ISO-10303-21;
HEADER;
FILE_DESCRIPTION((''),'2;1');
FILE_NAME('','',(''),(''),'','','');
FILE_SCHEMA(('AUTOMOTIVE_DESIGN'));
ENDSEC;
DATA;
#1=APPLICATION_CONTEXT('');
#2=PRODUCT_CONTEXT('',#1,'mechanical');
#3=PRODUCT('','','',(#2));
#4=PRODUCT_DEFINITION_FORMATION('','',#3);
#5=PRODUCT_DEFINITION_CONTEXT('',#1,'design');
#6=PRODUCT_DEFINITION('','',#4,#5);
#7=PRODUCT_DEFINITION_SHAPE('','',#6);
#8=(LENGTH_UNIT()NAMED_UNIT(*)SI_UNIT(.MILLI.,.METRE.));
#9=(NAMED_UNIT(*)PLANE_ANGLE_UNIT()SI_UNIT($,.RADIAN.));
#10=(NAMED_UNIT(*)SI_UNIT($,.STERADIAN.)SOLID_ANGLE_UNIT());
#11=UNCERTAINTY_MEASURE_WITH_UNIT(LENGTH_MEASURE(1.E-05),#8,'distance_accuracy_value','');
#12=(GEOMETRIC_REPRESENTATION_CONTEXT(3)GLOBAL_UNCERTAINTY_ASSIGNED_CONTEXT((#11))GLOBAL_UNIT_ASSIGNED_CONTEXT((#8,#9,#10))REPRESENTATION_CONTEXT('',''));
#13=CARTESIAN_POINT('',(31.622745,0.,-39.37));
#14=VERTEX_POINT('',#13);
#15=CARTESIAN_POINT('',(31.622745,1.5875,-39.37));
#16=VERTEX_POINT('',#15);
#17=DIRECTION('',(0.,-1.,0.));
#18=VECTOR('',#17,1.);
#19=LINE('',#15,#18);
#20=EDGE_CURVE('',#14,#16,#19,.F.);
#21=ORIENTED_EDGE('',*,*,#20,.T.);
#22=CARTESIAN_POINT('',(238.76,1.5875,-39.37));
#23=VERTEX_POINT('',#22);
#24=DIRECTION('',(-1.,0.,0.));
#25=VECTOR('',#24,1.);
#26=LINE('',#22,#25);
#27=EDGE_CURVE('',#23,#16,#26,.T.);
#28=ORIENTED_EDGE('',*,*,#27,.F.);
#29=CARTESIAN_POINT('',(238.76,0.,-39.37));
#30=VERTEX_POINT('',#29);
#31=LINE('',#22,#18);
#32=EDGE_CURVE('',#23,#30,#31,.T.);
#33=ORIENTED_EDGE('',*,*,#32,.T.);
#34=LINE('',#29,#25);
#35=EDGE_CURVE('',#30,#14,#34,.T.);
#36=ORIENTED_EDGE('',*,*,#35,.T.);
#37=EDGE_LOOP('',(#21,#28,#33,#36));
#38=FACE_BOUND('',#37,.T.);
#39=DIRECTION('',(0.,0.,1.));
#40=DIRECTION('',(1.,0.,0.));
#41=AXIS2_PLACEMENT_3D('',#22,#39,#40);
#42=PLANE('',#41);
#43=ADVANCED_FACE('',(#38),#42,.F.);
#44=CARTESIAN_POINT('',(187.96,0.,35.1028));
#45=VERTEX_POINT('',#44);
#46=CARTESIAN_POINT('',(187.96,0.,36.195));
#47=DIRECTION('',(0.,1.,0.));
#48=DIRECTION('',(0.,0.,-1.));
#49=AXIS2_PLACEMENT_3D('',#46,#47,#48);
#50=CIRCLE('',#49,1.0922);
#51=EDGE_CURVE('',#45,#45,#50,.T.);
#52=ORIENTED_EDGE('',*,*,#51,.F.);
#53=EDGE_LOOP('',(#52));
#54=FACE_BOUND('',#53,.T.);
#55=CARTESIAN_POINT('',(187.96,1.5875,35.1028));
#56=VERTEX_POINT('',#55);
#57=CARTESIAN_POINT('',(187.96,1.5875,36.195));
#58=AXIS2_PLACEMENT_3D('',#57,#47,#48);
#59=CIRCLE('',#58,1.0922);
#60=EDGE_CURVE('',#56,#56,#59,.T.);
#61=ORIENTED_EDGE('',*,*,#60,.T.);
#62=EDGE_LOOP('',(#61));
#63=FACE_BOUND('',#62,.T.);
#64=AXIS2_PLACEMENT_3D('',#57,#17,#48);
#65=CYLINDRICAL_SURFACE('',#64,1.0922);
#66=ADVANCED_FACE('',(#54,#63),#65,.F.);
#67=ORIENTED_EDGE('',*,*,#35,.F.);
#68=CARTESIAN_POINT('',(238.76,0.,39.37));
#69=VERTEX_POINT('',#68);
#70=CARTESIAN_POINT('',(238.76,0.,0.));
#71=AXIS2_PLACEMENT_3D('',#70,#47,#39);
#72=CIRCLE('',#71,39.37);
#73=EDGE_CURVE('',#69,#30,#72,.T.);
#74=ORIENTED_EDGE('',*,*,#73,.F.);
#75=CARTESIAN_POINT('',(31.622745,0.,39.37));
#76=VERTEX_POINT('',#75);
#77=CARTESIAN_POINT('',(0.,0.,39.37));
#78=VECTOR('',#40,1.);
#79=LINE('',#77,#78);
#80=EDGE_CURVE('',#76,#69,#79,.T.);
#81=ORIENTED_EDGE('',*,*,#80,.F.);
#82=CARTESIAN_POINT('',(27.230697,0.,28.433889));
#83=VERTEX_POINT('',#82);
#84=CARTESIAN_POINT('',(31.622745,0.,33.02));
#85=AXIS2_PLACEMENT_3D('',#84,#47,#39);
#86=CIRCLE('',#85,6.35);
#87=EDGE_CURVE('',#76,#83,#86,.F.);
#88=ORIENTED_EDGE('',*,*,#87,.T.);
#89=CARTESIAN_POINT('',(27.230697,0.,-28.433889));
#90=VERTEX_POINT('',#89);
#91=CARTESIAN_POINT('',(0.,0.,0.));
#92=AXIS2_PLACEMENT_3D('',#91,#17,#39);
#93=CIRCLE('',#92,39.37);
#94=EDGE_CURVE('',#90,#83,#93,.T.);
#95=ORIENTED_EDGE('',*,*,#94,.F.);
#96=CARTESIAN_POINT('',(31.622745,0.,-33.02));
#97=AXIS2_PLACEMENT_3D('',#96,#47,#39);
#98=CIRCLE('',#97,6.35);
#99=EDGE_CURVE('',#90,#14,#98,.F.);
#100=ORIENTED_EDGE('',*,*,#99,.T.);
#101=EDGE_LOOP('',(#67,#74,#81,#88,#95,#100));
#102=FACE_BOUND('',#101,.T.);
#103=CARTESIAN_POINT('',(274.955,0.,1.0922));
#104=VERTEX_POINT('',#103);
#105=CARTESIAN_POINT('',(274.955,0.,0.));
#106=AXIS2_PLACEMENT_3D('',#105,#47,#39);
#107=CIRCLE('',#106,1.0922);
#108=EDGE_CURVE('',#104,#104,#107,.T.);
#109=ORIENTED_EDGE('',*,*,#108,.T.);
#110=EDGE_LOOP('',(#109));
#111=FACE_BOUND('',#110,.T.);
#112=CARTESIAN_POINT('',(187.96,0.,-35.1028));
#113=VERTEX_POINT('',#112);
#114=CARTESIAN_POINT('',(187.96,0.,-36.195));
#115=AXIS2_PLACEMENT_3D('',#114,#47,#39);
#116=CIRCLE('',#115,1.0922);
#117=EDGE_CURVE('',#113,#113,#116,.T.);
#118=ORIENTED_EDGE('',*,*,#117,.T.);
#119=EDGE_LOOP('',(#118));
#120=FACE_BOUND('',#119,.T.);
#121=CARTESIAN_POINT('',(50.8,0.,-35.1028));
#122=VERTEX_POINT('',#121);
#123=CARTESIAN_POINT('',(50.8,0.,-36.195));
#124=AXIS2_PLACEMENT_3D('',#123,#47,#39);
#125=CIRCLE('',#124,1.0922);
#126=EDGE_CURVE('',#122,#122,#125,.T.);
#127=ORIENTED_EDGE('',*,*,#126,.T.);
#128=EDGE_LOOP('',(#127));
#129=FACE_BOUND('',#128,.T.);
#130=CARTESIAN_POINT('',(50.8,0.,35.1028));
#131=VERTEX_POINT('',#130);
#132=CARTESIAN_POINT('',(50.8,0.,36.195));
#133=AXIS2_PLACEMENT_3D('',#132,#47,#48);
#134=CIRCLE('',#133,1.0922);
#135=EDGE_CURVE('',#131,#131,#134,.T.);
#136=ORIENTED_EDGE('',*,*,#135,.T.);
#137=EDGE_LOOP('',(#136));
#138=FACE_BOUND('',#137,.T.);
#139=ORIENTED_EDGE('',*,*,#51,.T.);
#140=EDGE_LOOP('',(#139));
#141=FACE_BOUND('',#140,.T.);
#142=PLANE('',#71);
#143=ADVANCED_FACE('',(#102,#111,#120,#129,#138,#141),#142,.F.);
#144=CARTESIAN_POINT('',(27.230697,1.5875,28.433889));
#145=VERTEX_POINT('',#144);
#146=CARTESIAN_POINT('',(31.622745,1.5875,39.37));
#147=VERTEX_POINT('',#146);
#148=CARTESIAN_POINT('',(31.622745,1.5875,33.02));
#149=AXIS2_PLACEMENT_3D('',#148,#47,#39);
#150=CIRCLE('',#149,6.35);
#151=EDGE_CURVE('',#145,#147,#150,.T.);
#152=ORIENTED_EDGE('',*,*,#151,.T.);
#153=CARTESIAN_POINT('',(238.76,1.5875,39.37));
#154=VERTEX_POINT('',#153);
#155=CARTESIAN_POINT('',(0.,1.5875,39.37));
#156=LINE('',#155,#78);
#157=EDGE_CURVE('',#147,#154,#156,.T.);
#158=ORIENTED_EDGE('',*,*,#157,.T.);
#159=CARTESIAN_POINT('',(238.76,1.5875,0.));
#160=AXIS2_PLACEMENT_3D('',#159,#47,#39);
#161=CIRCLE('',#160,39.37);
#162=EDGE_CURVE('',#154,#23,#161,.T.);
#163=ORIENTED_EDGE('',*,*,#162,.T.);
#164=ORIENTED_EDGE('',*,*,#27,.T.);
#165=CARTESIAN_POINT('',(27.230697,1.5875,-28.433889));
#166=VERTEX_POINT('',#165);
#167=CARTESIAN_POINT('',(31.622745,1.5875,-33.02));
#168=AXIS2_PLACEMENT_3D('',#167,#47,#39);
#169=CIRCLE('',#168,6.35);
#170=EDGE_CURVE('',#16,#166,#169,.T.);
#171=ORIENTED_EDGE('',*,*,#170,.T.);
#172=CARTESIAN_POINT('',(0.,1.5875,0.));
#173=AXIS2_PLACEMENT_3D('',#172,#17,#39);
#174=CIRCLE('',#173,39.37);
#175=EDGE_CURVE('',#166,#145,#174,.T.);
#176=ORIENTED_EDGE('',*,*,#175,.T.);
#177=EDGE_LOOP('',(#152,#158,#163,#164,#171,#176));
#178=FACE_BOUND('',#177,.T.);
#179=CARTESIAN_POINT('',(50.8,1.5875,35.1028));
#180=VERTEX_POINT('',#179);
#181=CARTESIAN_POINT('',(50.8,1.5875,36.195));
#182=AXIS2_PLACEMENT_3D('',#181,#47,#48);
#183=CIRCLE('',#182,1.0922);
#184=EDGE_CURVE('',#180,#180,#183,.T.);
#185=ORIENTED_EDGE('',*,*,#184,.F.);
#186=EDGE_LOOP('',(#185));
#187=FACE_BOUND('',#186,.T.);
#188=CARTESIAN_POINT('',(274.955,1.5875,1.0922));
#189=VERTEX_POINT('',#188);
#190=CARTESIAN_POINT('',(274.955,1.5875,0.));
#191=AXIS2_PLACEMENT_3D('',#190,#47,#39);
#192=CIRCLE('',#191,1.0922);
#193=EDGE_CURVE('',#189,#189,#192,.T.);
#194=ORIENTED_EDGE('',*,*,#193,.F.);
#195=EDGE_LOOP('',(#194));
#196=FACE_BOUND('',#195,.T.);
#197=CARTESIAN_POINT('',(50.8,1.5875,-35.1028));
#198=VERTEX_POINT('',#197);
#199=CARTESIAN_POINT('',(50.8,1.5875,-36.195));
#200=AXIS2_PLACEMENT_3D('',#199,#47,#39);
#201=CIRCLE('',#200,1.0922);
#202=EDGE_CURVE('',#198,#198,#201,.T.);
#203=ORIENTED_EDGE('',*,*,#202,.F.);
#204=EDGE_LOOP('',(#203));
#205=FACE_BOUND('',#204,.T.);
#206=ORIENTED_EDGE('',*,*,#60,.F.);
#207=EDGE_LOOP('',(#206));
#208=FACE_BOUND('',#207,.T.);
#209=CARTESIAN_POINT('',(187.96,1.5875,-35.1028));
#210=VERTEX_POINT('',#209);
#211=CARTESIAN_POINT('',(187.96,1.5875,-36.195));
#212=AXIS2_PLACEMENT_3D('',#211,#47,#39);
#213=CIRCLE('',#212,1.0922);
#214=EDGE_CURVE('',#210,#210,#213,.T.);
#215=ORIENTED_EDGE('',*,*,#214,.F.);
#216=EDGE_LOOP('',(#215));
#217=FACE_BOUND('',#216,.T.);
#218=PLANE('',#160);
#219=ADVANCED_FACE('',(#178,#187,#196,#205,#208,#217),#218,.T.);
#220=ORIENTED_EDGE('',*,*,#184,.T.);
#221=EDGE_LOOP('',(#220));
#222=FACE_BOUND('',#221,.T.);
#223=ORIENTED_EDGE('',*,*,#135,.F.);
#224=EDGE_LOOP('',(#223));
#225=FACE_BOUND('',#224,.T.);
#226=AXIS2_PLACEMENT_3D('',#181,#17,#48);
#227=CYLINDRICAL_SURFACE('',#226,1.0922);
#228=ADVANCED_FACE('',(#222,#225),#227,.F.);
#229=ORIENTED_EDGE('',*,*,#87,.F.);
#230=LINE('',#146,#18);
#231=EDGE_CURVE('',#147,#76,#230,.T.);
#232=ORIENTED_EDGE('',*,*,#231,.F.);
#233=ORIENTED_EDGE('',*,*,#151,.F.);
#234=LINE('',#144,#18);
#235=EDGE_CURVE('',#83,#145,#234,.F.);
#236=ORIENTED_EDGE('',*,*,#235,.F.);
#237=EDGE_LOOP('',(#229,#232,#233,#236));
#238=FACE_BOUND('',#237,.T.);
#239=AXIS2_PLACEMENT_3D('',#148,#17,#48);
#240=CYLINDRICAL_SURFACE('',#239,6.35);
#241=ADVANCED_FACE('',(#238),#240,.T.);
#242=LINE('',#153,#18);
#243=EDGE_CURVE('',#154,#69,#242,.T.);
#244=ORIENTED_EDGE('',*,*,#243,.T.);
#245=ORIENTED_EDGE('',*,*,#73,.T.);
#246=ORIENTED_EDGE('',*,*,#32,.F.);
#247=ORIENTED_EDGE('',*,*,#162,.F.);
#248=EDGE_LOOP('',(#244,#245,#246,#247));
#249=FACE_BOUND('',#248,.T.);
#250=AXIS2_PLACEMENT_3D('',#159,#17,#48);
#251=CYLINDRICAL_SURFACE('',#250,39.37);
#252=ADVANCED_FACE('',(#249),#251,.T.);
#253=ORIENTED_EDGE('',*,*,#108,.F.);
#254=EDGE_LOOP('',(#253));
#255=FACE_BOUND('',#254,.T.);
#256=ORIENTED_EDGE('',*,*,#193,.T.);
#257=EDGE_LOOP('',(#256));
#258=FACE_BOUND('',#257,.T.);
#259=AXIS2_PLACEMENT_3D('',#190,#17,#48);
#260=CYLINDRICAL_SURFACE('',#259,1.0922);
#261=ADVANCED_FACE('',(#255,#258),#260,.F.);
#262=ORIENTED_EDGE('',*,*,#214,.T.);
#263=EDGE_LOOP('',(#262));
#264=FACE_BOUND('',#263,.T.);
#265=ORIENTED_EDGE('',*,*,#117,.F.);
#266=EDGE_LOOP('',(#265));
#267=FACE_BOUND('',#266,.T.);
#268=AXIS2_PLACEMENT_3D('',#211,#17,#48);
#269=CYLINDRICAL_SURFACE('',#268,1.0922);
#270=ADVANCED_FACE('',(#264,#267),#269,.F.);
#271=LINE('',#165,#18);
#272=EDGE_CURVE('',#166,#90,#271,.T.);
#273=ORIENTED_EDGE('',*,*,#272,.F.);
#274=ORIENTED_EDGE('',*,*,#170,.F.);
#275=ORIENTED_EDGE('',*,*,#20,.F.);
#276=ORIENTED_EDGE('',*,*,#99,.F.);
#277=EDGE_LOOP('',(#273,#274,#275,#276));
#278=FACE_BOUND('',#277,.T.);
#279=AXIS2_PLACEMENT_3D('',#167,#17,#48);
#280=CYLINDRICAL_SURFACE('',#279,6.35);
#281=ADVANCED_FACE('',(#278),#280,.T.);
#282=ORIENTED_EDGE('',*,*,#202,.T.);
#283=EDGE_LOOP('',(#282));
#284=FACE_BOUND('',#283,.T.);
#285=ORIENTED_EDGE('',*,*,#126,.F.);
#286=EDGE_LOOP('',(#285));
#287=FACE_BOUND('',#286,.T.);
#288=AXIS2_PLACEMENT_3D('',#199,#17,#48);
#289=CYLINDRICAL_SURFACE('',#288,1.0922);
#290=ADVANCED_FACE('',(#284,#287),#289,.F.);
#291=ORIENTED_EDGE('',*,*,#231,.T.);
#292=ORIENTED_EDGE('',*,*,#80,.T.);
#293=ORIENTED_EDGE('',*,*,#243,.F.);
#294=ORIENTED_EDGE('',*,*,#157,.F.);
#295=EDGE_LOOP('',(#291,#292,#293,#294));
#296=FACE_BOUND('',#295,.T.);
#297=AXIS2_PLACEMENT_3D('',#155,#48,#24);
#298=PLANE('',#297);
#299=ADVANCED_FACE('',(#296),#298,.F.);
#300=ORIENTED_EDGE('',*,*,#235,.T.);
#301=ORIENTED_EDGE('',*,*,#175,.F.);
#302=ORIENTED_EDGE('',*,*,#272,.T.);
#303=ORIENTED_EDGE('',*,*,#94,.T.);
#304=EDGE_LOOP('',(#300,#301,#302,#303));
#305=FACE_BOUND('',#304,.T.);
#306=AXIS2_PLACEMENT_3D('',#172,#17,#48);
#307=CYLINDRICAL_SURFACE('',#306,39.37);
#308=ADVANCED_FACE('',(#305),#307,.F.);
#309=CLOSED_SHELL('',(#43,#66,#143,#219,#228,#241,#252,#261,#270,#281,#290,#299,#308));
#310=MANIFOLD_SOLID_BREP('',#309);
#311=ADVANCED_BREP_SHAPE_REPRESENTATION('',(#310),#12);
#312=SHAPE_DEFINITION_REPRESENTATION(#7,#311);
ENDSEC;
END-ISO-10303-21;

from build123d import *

# Parameters (mm, degrees)
SKETCH1_R           = 1.0922
BOSS_EXTRUDE1_DEPTH = 1.5875
FILLET1_R           = 6.35


with BuildPart() as part:
    # Sketch1 → Boss-Extrude1 (new body)
    with BuildSketch(Plane(origin=(0, 0, 0), x_dir=(1, 0, 0), z_dir=(0, 1, 0))):
        with BuildLine():
            Line((238.76, 39.37), (0, 39.37))
            ThreePointArc((0, 39.37), (39.37, 0), (0, -39.37))
            Line((0, -39.37), (238.76, -39.37))
            ThreePointArc((238.76, -39.37), (278.13, 0), (238.76, 39.37))
        make_face()
        with Locations((274.955, 0)):
            Circle(SKETCH1_R, mode=Mode.SUBTRACT)
        with Locations((187.96, 36.195)):
            Circle(SKETCH1_R, mode=Mode.SUBTRACT)
        with Locations((50.8, 36.195)):
            Circle(SKETCH1_R, mode=Mode.SUBTRACT)
        with Locations((50.8, -36.195)):
            Circle(SKETCH1_R, mode=Mode.SUBTRACT)
        with Locations((187.96, -36.195)):
            Circle(SKETCH1_R, mode=Mode.SUBTRACT)
    extrude(amount=BOSS_EXTRUDE1_DEPTH)

    # Fillet1
    fillet1_edges = [part.edges().sort_by_distance(p)[0] for p in [
        (0, 0.79375, 39.37),
        (0, 0.79375, -39.37),
    ]]
    fillet(fillet1_edges, radius=FILLET1_R)


solid = part.part
